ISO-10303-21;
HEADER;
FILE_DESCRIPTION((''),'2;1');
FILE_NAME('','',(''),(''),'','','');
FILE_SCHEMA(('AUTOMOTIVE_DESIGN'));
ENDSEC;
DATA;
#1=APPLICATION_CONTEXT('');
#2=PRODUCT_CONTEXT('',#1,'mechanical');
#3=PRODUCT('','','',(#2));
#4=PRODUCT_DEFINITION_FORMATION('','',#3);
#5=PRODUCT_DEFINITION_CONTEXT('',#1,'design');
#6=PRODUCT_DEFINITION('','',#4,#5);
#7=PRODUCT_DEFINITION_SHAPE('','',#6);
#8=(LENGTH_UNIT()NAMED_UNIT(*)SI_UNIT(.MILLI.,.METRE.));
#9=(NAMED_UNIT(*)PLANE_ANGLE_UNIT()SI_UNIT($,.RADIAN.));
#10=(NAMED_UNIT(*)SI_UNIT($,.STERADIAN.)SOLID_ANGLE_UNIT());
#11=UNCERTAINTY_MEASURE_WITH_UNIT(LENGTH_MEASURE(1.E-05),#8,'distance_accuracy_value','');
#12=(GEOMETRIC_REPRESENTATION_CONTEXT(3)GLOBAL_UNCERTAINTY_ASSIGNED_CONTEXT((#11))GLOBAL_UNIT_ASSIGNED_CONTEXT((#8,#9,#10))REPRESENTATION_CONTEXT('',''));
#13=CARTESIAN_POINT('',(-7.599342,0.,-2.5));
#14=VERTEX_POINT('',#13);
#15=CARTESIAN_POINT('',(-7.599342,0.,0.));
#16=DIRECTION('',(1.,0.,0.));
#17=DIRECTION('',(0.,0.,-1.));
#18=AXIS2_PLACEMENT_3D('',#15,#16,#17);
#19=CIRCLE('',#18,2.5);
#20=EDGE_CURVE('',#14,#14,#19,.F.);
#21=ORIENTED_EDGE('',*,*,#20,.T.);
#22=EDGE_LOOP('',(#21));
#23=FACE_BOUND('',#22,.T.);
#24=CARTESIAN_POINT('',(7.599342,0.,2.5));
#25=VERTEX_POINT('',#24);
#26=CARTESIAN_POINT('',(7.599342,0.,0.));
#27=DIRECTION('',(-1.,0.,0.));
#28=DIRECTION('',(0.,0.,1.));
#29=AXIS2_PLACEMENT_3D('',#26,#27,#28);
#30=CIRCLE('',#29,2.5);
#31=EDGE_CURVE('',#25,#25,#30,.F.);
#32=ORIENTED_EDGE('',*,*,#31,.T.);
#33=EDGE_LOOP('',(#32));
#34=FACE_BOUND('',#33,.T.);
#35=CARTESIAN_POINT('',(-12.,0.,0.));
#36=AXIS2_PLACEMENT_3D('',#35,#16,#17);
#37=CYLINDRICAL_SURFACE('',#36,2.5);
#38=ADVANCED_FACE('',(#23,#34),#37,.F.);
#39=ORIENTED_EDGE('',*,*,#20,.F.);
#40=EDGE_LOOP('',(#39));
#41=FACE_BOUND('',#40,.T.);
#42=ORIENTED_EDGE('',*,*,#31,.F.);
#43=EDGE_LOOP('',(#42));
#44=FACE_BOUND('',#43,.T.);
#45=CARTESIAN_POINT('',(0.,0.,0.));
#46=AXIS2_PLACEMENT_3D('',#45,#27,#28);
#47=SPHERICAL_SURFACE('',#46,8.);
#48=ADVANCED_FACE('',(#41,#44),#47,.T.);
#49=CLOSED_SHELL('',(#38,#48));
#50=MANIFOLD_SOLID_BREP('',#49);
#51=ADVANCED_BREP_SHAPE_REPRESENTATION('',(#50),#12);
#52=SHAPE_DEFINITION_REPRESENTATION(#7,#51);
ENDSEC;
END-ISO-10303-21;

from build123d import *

# Parameters (mm, degrees)
SKETCH2_R          = 2.5
CUT_EXTRUDE1_DEPTH = 20


with BuildPart() as part:
    # Sketch1 one side → Revolve2 (revolve)
    with BuildSketch(Plane(origin=(0, 0, 0), x_dir=(1, 0, 0), z_dir=(0, 1, 0))):
        with BuildLine():
            Line((-7.106929648, -3.673084667), (7.106929648, 3.673084667))
            ThreePointArc((7.106929648, 3.673084667), (-3.673084667, 7.106929648), (-7.106929648, -3.673084667))
        make_face()
    revolve(axis=Axis((0, 0, 0), (0.8883662060497312, 0, -0.45913558340517086)))

    # Sketch2 → Cut-Extrude1 (cut)
    with BuildSketch(Plane(origin=(8, 0, 0), x_dir=(0, 0, -1), z_dir=(1, 0, 0))):
        with Locations(Location((0, 0, 0), (0, 0, 180))):
            Circle(SKETCH2_R)
    extrude(amount=-CUT_EXTRUDE1_DEPTH, mode=Mode.SUBTRACT)


solid = part.part
